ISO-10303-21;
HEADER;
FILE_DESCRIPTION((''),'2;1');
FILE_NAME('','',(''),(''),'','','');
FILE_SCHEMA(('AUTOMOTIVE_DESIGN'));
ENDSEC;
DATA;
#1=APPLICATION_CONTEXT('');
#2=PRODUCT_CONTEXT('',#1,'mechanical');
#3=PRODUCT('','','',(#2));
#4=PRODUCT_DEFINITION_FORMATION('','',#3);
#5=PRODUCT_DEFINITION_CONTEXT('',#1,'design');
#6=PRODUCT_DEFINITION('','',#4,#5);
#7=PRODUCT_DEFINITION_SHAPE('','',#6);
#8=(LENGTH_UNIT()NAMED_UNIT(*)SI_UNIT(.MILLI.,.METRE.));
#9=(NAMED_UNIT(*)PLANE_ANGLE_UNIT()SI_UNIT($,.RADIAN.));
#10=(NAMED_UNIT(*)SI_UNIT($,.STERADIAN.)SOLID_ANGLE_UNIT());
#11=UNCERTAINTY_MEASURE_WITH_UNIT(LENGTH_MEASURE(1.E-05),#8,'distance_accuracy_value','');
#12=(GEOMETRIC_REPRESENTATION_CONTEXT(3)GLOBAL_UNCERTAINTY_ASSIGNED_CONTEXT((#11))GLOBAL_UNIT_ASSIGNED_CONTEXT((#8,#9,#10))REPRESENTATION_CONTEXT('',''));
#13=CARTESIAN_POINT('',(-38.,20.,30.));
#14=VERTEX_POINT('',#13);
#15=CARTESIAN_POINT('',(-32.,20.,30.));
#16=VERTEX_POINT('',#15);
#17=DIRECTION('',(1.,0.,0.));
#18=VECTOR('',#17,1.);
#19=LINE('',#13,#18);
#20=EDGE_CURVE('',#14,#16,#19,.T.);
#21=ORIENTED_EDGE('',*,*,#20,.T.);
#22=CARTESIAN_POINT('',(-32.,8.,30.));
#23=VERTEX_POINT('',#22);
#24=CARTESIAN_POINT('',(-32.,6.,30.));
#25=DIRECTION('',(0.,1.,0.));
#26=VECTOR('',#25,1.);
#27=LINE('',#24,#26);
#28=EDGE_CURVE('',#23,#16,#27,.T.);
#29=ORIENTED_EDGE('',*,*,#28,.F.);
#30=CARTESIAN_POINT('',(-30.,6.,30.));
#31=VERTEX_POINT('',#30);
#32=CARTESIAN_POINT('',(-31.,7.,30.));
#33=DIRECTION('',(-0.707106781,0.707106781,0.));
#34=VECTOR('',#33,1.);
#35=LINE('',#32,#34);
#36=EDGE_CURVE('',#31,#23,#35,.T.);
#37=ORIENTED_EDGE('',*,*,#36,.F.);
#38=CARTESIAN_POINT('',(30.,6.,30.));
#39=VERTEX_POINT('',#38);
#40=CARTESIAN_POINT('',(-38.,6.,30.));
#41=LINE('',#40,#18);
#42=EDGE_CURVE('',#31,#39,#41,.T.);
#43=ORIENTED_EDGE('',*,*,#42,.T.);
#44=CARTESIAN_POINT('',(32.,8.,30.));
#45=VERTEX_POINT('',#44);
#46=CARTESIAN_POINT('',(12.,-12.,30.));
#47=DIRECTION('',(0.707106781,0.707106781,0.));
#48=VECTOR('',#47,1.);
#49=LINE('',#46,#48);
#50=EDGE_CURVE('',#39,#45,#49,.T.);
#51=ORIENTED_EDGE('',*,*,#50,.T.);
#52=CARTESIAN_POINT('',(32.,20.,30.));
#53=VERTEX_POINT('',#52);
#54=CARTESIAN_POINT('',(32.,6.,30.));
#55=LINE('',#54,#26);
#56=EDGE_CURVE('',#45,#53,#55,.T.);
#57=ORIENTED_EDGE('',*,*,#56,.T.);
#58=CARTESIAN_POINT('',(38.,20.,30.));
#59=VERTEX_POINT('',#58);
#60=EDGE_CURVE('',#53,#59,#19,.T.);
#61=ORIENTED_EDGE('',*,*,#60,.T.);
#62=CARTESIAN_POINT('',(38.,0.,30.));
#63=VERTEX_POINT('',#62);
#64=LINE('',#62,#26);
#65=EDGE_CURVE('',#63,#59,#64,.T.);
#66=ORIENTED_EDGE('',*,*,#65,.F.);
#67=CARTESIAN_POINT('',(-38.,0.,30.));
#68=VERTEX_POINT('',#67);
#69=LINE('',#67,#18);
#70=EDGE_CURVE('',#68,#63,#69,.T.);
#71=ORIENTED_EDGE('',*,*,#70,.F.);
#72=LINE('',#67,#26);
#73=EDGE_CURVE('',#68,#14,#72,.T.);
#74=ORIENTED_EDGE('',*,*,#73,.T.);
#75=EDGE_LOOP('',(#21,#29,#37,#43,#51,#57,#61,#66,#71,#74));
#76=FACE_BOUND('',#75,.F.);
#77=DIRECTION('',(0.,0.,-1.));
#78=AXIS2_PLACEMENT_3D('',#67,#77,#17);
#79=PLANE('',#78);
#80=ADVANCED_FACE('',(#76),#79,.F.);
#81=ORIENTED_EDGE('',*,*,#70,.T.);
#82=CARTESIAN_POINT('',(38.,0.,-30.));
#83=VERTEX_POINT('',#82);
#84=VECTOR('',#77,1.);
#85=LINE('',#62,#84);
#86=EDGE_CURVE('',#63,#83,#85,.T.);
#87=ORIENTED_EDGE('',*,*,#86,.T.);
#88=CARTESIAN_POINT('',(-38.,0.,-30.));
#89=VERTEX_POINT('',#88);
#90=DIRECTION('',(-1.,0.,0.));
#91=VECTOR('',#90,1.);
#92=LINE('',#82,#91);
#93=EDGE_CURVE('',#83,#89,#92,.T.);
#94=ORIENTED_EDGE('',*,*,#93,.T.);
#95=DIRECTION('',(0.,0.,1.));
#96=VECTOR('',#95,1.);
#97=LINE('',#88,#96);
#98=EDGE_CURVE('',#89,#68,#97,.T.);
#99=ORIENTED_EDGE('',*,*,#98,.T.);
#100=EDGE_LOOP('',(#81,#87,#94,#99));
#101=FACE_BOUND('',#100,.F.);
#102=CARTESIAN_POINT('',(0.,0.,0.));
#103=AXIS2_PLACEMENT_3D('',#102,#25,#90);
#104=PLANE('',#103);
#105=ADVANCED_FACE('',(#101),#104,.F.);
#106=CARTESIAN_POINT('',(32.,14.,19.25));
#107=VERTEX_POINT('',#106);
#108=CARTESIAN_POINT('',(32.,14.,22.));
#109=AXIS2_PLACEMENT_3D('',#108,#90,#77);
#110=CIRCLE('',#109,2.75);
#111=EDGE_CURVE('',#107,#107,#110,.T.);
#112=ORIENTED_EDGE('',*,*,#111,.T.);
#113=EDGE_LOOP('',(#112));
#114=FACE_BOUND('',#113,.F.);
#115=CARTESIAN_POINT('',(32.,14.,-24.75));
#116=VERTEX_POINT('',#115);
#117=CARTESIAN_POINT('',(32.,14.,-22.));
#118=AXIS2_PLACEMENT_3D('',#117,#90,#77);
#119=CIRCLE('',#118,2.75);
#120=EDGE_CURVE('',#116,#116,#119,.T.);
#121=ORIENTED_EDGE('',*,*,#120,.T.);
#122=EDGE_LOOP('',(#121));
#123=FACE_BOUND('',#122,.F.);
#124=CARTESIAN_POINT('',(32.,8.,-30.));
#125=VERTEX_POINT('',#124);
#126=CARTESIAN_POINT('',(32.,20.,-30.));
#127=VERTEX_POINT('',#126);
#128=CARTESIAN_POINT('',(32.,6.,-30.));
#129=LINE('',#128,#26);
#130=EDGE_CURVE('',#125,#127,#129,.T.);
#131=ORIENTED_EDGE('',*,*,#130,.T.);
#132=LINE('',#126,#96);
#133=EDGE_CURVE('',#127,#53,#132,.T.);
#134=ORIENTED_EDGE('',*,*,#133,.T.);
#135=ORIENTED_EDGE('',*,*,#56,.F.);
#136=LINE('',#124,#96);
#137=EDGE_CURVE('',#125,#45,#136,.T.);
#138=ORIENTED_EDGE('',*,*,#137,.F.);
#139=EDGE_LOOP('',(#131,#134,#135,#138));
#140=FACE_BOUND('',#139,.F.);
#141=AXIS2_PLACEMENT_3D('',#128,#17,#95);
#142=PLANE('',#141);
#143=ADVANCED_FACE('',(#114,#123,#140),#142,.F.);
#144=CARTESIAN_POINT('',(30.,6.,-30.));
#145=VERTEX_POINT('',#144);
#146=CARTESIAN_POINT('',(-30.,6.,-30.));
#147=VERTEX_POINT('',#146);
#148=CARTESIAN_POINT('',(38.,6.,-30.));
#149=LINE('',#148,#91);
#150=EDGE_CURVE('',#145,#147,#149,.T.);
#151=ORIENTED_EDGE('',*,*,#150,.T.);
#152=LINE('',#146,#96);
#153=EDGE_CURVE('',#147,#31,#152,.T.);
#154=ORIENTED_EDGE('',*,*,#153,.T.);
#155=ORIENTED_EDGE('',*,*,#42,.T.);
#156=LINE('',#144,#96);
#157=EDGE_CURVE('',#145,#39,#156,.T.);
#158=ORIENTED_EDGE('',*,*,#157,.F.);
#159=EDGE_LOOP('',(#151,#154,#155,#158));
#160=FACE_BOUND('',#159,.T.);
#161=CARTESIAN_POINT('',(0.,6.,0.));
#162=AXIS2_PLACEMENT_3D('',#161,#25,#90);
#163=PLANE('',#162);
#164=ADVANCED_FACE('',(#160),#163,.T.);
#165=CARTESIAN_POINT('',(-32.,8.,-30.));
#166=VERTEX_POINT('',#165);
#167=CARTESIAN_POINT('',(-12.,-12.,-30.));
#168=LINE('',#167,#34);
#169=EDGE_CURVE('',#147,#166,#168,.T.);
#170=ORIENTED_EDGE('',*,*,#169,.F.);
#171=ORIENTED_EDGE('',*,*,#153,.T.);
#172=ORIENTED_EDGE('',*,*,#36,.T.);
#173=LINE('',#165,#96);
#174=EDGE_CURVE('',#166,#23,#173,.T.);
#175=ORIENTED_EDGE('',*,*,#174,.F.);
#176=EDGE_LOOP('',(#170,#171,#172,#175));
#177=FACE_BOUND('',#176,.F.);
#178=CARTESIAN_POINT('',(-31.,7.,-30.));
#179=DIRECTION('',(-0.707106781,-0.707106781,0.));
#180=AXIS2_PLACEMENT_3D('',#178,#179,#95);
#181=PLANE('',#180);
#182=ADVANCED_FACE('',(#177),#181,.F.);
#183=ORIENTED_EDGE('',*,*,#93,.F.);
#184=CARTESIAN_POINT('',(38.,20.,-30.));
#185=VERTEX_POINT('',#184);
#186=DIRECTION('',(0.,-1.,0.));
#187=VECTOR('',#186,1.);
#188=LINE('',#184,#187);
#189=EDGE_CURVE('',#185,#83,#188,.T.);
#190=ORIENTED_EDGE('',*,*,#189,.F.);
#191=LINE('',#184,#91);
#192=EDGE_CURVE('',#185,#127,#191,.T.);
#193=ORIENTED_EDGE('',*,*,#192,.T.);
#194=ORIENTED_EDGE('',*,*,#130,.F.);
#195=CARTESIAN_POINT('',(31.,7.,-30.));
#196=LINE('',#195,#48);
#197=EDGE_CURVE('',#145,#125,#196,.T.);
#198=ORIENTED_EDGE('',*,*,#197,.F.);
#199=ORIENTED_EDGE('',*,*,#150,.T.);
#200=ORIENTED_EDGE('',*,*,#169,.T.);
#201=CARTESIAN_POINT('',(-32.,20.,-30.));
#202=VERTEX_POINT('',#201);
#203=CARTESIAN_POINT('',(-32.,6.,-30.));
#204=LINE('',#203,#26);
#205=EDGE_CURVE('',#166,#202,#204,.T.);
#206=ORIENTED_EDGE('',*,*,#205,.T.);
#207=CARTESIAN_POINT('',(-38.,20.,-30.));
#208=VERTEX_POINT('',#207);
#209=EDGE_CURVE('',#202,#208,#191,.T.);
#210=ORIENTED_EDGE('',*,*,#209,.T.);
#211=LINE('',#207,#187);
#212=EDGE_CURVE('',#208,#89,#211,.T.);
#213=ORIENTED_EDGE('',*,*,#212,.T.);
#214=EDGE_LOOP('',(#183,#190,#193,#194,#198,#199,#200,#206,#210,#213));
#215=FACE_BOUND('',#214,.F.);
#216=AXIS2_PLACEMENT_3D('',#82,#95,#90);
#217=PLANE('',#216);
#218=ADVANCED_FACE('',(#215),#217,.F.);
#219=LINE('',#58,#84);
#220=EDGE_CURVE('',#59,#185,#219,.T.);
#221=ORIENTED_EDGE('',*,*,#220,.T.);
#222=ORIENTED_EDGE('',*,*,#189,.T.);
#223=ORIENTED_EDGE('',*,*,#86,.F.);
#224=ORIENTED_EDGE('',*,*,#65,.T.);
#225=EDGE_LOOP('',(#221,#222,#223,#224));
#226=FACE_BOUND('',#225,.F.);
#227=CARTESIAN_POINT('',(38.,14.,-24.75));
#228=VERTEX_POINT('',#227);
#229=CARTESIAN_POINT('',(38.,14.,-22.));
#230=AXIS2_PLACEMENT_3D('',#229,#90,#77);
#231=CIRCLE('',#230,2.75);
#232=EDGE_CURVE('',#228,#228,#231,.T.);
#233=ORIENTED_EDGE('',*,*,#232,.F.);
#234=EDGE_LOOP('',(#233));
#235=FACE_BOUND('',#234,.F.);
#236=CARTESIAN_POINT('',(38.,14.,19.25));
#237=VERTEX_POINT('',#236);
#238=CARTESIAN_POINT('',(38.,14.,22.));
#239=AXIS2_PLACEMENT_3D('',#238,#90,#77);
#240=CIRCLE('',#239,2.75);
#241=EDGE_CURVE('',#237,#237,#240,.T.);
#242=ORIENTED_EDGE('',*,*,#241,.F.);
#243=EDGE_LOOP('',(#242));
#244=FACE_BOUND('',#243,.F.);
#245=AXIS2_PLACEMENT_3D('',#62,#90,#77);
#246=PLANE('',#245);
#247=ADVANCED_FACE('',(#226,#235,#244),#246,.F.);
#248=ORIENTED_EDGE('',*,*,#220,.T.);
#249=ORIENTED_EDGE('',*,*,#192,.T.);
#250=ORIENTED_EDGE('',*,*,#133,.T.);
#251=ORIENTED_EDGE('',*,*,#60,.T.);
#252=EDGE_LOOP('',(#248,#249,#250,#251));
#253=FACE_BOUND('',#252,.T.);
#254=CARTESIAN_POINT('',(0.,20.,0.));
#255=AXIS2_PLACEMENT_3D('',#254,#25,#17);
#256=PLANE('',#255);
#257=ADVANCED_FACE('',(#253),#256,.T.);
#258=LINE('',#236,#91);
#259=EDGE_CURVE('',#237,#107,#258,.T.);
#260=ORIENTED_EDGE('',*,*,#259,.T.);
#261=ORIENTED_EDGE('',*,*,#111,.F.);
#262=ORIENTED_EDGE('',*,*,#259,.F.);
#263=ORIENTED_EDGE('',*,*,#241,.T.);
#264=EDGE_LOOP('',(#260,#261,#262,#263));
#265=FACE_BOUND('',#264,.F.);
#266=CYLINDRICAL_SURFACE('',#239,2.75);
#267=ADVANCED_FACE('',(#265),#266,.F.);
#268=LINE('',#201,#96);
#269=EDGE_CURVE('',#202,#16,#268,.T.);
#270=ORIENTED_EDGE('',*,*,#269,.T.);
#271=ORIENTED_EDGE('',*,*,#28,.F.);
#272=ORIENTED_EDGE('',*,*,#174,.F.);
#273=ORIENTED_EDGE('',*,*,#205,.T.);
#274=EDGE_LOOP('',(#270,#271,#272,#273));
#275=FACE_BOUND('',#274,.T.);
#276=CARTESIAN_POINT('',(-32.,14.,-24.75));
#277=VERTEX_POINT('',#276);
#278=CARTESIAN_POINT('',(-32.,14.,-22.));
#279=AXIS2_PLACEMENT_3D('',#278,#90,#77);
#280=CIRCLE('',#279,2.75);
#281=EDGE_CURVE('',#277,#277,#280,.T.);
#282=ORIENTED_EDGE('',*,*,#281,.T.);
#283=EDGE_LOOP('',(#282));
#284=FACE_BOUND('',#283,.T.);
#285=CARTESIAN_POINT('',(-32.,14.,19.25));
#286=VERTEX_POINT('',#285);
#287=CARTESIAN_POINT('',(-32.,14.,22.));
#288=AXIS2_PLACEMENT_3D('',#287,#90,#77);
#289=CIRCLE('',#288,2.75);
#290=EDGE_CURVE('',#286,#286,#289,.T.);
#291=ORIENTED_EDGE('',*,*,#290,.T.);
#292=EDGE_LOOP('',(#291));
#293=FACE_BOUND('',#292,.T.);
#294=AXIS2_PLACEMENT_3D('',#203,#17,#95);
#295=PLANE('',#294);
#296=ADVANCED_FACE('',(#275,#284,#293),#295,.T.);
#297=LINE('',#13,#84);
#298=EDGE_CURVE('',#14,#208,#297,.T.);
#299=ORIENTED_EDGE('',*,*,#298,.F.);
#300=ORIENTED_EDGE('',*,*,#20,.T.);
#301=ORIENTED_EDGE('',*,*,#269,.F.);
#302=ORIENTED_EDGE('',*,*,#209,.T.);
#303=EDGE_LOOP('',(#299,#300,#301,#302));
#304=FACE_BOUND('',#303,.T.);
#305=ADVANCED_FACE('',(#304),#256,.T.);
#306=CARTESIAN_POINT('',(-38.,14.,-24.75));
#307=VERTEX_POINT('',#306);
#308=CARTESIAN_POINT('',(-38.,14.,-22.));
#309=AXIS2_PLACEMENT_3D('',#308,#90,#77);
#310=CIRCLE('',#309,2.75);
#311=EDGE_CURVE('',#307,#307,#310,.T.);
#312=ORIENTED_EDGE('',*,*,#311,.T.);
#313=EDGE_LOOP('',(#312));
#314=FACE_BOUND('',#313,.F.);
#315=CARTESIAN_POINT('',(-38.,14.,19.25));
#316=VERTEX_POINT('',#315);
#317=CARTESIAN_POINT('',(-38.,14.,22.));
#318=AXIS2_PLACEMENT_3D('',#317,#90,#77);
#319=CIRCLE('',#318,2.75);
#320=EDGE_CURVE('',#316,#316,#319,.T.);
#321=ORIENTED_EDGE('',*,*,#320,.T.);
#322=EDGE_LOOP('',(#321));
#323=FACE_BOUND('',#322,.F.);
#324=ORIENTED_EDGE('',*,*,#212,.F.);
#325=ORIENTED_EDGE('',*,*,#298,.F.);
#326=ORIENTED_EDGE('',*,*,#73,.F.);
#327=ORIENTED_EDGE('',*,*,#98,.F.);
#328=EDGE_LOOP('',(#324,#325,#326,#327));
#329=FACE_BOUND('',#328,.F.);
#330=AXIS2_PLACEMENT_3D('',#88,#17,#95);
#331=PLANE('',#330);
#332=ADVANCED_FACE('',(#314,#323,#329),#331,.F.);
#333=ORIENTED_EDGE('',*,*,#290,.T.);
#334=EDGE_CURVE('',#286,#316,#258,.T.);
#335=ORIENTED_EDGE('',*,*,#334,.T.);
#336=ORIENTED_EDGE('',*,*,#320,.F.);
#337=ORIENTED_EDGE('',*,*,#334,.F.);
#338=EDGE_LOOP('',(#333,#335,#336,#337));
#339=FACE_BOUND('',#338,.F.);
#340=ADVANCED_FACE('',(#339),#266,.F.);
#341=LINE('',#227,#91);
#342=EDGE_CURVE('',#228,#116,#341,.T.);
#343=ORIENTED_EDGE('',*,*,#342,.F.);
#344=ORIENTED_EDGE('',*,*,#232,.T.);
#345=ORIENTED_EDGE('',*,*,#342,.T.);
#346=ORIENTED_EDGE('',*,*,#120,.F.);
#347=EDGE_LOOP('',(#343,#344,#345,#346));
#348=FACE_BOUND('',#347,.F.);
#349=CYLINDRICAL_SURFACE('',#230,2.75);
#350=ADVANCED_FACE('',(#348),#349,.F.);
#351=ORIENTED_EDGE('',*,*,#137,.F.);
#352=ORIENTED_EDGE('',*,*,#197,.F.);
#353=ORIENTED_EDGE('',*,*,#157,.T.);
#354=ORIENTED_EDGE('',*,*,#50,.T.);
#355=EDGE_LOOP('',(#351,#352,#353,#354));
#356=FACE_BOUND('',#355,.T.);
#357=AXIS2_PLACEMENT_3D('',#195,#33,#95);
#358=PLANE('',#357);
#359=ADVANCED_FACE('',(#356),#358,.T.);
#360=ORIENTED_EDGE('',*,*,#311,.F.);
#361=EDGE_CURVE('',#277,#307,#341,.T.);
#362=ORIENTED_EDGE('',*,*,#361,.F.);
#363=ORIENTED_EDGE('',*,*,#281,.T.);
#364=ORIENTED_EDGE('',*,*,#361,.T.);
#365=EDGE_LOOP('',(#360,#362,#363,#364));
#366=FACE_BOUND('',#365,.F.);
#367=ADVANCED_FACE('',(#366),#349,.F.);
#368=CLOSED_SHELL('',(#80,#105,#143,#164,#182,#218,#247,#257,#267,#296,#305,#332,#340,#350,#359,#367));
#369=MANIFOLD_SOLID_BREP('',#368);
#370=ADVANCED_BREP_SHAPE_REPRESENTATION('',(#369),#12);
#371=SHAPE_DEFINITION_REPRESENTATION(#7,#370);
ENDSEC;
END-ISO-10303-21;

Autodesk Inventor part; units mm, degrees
ref_plane "YZ Plane" through (0, 0, 0) normal (1, 0, 0) x (0, 1, 0)
ref_plane "XZ Plane" through (0, 0, 0) normal (0, 1, 0) x (-1, 0, 0)
ref_plane "XY Plane" through (0, 0, 0) normal (0, 0, 1) x (1, 0, 0)
sketch "Esquisse1" plane through (0, 0, 0) normal (0, 1, 0) x (-1, 0, 0)
  line L0 (38, 30) -> (-38, 30)
  line L1 (-38, 30) -> (-38, -30)
  line L2 (-38, -30) -> (38, -30)
  line L3 (38, -30) -> (38, 30)
  line L4 (38, 30) -> (-38, -30) construction
  line L5 (-38, 30) -> (38, -30) construction
  point P0 (0, 0)
  dimension "d0" = 76
  dimension "d1" = 60
extrude "Extrusion1" add sketch "Esquisse1" along normal blind 6
sketch "Esquisse2" plane through (0, 6, 0) normal (0, 1, 0) x (1, 0, 0)
  line L0 (38, 30) -> (-38, 30) projected
  line L1 (-38, -30) -> (38, -30) projected
  line L2 (-38, 30) -> (-32, 30)
  line L3 (-32, 30) -> (-32, -30)
  line L4 (-32, -30) -> (-38, -30)
  line L5 (-38, -30) -> (-38, 30)
  line L6 (38, 30) -> (32, 30)
  line L7 (32, 30) -> (32, -30)
  line L8 (32, -30) -> (38, -30)
  line L9 (38, -30) -> (38, 30)
  point P0 (0, 0)
  dimension "d4" = 6
  dimension "d5" = 6
extrude "Extrusion2" add sketch "Esquisse2" along normal blind 14 contours L9 L1 L7 L0 | L3 L1 L5 L0
chamfer "Chanfrein1" distance 2 angle 45 2 edges at (-32, 6, 0) (32, 6, 0)
sketch "Esquisse4" plane through (38, 0, 30) normal (1, 0, 0) x (0, 0, -1)
  line L0 (0, 20) -> (60, 20) projected
  line L1 (60, 0) -> (60, 20) projected
  line L2 (0, 0) -> (0, 20) projected
  line L3 (0, 0) -> (60, 0) projected
  point P0 (30, 0)
  point P1 (52, 14)
  point P2 (8, 14)
  dimension "d11" = 6
  dimension "d12" = 8
  dimension "d13" = 8
  dimension "d21" = 14
hole "Perçage1" at (38, 14, -22) at (38, 14, 22) direction (-1, 0, 0) diameter 5.5 end through all clearance for "Vis d'assemblage à tête hexagonale ISO 24017" size "M5" standard "ISO"
equation "\"d13\" = d12"
properties part number "base_cloison"
